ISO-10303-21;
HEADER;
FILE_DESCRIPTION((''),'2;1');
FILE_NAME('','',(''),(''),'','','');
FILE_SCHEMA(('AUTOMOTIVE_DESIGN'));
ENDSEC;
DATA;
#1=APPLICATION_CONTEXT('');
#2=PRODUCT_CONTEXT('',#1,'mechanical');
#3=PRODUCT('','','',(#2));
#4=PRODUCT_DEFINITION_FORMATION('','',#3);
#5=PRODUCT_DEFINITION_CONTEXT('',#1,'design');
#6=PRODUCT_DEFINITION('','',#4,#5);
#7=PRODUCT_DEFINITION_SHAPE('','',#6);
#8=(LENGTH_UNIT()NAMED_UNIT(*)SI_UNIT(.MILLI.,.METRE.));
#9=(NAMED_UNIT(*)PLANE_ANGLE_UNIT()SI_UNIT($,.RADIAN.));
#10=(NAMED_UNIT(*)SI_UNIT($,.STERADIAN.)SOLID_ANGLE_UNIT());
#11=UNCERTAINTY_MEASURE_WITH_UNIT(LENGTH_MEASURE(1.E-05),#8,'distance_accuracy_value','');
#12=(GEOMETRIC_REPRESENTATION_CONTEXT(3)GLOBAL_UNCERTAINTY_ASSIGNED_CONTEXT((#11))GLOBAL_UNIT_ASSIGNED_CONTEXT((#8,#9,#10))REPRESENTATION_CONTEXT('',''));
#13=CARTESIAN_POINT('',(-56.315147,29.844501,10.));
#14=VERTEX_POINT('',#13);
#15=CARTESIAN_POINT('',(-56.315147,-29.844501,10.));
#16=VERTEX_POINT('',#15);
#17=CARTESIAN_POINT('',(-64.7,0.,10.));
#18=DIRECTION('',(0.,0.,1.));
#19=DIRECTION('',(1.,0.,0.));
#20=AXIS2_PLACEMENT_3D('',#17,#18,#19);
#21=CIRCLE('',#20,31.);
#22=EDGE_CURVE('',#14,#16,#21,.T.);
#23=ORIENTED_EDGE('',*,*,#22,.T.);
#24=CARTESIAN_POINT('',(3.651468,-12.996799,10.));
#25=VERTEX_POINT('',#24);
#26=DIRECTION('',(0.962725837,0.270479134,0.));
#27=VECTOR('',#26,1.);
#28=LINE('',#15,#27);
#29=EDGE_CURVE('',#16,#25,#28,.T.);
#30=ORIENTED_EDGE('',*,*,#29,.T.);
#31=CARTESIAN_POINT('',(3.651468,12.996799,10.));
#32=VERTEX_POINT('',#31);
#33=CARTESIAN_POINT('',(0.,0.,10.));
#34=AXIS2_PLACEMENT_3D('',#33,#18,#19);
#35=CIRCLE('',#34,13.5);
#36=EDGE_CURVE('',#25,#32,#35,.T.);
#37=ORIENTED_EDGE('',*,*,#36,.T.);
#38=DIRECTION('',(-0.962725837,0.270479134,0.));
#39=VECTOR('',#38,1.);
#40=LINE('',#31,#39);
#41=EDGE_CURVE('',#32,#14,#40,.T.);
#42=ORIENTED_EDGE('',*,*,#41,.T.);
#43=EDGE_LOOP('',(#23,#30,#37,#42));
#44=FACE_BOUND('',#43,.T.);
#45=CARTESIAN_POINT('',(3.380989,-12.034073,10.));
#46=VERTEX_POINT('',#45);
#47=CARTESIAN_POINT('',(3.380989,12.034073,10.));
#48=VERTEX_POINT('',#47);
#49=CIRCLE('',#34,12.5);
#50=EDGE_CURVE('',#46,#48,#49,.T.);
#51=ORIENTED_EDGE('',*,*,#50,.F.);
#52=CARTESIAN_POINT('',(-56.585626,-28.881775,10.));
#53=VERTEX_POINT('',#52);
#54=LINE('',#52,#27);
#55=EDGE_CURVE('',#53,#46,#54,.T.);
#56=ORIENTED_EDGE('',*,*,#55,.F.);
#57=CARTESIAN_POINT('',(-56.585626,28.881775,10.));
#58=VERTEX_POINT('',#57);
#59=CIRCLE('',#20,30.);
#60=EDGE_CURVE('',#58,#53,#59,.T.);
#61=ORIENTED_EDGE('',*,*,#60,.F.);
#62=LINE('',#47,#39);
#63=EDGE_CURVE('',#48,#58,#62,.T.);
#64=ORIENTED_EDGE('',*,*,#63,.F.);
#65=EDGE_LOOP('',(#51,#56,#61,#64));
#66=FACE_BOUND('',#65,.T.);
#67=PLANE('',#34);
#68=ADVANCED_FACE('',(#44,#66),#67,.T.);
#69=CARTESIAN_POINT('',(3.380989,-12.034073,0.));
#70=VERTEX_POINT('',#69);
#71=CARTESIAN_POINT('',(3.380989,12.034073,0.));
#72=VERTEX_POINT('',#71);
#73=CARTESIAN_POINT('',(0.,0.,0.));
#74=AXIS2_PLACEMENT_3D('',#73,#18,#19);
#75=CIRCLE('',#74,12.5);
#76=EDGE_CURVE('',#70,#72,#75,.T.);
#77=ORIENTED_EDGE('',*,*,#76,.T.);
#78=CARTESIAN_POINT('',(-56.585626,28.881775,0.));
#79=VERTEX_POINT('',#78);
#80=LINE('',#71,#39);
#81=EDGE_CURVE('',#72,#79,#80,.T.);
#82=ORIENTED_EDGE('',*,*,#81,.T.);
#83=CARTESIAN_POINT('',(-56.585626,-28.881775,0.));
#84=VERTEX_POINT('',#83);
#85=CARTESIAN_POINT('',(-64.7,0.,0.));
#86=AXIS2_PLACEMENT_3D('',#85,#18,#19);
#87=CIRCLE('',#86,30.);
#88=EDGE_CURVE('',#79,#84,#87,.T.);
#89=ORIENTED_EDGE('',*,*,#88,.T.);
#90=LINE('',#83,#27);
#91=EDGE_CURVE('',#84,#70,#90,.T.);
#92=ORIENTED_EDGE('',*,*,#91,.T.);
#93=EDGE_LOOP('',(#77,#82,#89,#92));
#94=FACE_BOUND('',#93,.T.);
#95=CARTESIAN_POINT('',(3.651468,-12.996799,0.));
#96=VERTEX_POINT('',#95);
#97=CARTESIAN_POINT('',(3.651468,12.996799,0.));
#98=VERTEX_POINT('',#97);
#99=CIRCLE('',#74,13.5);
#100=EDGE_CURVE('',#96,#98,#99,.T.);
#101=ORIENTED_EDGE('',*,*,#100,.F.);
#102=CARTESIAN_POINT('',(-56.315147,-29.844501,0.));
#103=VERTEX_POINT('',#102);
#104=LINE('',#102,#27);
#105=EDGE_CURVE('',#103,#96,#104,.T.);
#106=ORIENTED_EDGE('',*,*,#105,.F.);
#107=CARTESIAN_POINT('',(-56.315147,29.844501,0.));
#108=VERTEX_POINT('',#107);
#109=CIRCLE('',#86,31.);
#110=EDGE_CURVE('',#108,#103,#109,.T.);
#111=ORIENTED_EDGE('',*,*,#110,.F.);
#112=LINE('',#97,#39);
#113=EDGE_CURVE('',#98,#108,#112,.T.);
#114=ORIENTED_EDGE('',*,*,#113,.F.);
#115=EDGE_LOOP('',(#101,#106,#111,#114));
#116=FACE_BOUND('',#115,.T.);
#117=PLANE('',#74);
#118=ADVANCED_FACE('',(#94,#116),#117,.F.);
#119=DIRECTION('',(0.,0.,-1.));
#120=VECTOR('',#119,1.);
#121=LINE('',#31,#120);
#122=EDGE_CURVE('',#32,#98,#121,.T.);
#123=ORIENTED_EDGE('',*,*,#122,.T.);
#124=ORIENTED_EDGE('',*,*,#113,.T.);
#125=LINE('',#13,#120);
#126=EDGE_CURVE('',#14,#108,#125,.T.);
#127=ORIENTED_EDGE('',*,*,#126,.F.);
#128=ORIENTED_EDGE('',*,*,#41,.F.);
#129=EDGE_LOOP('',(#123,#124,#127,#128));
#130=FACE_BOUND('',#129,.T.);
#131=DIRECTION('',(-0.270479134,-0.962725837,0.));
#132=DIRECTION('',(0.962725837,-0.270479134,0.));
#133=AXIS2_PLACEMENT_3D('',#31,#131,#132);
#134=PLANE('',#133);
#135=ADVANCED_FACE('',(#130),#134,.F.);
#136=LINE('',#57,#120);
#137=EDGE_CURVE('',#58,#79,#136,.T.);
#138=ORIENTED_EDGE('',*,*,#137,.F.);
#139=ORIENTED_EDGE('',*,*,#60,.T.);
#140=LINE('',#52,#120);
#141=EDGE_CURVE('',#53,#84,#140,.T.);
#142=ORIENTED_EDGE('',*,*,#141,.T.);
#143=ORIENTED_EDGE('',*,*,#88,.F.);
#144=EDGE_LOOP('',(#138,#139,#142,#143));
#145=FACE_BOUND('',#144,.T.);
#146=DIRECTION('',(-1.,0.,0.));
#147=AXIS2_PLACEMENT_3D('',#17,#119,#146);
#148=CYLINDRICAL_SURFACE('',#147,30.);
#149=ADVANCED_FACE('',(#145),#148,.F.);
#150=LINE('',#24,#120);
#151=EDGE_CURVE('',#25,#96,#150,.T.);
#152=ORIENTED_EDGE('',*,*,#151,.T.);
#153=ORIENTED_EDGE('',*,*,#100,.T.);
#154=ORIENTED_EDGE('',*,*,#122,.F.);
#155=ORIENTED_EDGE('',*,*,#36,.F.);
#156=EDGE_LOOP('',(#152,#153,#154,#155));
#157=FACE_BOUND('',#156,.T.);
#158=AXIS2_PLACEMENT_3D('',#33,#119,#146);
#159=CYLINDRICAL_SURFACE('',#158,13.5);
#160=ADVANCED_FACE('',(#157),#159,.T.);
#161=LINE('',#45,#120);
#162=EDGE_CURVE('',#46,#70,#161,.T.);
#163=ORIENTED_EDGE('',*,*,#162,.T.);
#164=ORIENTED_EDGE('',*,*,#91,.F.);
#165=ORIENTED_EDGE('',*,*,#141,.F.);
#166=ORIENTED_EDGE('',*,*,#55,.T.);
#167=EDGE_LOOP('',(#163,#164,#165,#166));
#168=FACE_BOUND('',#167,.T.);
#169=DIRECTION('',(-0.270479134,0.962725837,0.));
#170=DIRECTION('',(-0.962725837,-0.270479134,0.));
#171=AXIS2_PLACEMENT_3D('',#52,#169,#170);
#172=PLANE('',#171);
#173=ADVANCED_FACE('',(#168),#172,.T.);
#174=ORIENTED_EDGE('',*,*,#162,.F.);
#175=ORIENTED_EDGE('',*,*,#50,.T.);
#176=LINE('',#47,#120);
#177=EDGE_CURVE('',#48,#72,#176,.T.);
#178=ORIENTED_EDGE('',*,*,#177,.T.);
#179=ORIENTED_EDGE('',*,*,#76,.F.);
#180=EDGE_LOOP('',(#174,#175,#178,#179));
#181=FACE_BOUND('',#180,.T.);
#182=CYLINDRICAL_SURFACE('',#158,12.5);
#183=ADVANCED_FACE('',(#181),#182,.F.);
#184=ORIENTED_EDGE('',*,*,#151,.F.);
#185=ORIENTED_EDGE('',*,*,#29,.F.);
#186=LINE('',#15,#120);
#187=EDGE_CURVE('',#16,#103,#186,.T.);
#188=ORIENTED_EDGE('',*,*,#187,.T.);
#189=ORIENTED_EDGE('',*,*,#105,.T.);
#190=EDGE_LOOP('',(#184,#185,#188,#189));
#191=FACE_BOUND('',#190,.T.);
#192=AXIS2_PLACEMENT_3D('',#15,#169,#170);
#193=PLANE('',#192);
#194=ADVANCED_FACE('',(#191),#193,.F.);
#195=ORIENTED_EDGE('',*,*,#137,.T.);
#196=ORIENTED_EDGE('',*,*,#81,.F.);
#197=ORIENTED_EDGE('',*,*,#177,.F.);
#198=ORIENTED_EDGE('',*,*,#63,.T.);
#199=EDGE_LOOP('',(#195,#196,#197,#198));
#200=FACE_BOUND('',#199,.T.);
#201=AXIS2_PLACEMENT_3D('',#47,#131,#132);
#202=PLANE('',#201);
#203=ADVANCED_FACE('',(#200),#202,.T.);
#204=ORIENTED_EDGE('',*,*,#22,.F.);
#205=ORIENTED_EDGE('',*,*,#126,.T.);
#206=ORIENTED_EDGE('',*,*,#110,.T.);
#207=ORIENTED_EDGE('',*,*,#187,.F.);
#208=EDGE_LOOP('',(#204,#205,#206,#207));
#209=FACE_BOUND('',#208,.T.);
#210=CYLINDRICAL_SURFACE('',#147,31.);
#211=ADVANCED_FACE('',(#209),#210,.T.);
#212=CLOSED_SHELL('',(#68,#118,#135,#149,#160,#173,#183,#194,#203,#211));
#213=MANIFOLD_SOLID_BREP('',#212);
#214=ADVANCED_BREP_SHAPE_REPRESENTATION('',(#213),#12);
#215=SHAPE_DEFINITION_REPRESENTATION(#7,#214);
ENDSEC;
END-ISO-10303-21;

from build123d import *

# Parameters (mm, degrees)
EXTRUDE_1_DEPTH = 10


with BuildPart() as part:
    # 草图1 → 拉伸1 (new body)
    with BuildSketch(Plane.XY):
        with BuildLine():
            Line((3.651468315, 12.996798804), (-56.315146832, 29.844500957))
            ThreePointArc((-56.315146832, 29.844500957), (-95.7, 0), (-56.315146832, -29.844500957))
            Line((-56.315146832, -29.844500957), (3.651468315, -12.996798804))
            ThreePointArc((3.651468315, -12.996798804), (13.5, 0), (3.651468315, 12.996798804))
        make_face()
        with BuildLine():
            Line((3.380989181, 12.034072966), (-56.585625966, 28.881775119))
            ThreePointArc((-56.585625966, 28.881775119), (-94.7, 0), (-56.585625966, -28.881775119))
            Line((-56.585625966, -28.881775119), (3.380989181, -12.034072966))
            ThreePointArc((3.380989181, -12.034072966), (12.5, 0), (3.380989181, 12.034072966))
        make_face(mode=Mode.SUBTRACT)
    extrude(amount=EXTRUDE_1_DEPTH)


solid = part.part
